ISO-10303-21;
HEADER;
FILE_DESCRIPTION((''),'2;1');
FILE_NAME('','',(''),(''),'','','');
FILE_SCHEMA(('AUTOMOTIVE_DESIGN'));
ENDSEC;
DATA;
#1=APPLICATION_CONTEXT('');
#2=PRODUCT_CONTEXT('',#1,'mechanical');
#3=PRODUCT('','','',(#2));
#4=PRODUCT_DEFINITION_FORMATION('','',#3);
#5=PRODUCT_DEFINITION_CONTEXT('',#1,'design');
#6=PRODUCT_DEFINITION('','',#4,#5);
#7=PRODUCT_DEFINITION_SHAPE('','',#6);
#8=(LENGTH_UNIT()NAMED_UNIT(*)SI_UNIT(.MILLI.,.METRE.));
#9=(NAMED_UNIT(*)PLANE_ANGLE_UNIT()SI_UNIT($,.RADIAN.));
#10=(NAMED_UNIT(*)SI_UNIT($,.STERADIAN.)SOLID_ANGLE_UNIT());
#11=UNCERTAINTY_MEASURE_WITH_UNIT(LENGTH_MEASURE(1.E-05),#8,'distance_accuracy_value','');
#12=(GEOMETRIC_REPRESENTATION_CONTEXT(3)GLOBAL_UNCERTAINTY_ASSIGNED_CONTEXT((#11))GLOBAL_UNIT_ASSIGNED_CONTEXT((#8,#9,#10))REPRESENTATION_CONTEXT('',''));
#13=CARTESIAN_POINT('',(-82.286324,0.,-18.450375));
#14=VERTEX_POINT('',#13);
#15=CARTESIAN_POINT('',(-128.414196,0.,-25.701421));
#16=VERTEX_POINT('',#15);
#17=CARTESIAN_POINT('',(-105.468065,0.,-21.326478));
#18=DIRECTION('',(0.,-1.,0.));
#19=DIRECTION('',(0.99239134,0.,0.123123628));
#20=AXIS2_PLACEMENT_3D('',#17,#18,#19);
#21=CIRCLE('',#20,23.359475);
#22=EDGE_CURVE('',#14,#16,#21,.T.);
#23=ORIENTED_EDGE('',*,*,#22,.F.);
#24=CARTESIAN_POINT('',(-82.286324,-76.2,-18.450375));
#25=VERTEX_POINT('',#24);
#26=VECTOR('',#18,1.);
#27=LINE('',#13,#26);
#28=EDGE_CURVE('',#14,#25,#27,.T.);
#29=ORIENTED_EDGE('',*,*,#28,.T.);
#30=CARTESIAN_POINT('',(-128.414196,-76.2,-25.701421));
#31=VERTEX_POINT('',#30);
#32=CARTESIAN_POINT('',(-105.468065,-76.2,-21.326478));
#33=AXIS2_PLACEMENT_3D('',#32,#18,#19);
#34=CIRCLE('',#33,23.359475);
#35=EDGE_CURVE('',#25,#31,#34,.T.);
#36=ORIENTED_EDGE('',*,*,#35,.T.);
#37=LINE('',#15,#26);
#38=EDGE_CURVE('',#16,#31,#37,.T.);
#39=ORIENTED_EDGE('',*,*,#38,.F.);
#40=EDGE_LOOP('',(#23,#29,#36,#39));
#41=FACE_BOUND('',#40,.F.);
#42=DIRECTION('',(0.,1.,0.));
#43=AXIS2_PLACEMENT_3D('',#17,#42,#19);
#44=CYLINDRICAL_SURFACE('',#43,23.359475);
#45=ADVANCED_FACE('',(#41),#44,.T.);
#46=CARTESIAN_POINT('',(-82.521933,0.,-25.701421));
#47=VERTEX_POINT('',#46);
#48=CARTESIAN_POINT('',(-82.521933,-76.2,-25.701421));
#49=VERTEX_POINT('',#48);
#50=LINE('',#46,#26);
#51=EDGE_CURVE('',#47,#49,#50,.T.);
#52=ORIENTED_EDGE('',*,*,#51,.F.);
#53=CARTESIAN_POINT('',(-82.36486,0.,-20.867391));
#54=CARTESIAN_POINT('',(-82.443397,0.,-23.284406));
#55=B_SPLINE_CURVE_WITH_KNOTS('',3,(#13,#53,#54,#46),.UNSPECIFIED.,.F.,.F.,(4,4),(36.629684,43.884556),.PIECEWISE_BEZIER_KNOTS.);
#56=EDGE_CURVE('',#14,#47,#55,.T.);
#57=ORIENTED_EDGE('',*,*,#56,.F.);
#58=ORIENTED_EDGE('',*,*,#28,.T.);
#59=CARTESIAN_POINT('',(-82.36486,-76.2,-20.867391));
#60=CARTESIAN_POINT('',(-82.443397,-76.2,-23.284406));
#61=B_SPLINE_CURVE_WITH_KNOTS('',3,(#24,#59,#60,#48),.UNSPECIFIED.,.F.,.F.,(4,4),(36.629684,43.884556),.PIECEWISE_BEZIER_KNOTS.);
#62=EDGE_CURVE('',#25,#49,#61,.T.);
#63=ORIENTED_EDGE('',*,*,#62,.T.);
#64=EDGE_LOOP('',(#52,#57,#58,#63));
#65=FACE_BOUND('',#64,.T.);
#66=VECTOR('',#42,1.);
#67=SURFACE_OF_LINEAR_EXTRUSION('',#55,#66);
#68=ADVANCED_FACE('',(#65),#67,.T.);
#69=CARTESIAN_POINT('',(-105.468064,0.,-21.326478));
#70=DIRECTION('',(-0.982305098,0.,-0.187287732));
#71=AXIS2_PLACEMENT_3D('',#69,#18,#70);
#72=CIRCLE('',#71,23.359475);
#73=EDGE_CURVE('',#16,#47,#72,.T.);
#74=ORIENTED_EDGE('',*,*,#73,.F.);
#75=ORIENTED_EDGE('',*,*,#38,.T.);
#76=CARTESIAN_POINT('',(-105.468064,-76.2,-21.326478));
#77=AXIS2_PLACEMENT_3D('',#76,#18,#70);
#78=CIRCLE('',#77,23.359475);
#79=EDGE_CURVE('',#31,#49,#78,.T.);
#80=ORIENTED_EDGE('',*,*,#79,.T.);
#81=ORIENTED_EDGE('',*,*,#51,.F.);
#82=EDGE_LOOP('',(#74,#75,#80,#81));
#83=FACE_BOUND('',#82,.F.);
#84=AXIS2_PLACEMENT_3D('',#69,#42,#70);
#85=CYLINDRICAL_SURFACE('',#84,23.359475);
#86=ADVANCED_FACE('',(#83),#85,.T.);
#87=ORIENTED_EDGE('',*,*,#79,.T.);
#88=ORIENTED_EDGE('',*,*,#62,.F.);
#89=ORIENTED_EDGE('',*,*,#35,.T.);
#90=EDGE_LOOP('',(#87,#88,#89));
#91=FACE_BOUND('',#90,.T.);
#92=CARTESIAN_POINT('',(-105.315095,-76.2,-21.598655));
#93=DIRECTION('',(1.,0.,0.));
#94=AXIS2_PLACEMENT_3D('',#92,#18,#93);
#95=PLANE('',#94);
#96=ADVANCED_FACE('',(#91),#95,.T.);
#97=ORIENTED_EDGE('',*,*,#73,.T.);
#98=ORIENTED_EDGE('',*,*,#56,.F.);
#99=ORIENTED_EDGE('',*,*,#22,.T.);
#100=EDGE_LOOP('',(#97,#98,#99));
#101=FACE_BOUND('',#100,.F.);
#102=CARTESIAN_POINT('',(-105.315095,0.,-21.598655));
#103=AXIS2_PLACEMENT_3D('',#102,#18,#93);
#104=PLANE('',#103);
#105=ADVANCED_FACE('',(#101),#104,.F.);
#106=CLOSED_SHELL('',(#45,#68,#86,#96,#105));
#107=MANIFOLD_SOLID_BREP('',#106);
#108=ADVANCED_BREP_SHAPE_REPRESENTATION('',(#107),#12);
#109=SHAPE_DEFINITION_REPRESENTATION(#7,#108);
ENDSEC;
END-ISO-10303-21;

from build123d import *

# Parameters (mm, degrees)
F1_DEPTH = 76.2


with BuildPart() as f1:
    # F0 (on Front) → F1 (new body)
    with BuildSketch(Plane.XZ):
        with BuildLine():
            ThreePointArc((-82.286324, -18.450375), (-109.095501, 1.74963), (-128.414196, -25.701421))
            ThreePointArc((-128.414196, -25.701421), (-105.468065, -44.685953), (-82.521933, -25.701421))
            add(Edge.make_bspline(
                [(-82.286324, -18.450375), (-82.36486, -20.867391), (-82.443397, -23.284406), (-82.521933, -25.701421)],
                knots=[36.629684, 36.629684, 36.629684, 36.629684, 43.884556, 43.884556, 43.884556, 43.884556], degree=3))
        make_face()
    extrude(amount=F1_DEPTH)


solid = f1.part
